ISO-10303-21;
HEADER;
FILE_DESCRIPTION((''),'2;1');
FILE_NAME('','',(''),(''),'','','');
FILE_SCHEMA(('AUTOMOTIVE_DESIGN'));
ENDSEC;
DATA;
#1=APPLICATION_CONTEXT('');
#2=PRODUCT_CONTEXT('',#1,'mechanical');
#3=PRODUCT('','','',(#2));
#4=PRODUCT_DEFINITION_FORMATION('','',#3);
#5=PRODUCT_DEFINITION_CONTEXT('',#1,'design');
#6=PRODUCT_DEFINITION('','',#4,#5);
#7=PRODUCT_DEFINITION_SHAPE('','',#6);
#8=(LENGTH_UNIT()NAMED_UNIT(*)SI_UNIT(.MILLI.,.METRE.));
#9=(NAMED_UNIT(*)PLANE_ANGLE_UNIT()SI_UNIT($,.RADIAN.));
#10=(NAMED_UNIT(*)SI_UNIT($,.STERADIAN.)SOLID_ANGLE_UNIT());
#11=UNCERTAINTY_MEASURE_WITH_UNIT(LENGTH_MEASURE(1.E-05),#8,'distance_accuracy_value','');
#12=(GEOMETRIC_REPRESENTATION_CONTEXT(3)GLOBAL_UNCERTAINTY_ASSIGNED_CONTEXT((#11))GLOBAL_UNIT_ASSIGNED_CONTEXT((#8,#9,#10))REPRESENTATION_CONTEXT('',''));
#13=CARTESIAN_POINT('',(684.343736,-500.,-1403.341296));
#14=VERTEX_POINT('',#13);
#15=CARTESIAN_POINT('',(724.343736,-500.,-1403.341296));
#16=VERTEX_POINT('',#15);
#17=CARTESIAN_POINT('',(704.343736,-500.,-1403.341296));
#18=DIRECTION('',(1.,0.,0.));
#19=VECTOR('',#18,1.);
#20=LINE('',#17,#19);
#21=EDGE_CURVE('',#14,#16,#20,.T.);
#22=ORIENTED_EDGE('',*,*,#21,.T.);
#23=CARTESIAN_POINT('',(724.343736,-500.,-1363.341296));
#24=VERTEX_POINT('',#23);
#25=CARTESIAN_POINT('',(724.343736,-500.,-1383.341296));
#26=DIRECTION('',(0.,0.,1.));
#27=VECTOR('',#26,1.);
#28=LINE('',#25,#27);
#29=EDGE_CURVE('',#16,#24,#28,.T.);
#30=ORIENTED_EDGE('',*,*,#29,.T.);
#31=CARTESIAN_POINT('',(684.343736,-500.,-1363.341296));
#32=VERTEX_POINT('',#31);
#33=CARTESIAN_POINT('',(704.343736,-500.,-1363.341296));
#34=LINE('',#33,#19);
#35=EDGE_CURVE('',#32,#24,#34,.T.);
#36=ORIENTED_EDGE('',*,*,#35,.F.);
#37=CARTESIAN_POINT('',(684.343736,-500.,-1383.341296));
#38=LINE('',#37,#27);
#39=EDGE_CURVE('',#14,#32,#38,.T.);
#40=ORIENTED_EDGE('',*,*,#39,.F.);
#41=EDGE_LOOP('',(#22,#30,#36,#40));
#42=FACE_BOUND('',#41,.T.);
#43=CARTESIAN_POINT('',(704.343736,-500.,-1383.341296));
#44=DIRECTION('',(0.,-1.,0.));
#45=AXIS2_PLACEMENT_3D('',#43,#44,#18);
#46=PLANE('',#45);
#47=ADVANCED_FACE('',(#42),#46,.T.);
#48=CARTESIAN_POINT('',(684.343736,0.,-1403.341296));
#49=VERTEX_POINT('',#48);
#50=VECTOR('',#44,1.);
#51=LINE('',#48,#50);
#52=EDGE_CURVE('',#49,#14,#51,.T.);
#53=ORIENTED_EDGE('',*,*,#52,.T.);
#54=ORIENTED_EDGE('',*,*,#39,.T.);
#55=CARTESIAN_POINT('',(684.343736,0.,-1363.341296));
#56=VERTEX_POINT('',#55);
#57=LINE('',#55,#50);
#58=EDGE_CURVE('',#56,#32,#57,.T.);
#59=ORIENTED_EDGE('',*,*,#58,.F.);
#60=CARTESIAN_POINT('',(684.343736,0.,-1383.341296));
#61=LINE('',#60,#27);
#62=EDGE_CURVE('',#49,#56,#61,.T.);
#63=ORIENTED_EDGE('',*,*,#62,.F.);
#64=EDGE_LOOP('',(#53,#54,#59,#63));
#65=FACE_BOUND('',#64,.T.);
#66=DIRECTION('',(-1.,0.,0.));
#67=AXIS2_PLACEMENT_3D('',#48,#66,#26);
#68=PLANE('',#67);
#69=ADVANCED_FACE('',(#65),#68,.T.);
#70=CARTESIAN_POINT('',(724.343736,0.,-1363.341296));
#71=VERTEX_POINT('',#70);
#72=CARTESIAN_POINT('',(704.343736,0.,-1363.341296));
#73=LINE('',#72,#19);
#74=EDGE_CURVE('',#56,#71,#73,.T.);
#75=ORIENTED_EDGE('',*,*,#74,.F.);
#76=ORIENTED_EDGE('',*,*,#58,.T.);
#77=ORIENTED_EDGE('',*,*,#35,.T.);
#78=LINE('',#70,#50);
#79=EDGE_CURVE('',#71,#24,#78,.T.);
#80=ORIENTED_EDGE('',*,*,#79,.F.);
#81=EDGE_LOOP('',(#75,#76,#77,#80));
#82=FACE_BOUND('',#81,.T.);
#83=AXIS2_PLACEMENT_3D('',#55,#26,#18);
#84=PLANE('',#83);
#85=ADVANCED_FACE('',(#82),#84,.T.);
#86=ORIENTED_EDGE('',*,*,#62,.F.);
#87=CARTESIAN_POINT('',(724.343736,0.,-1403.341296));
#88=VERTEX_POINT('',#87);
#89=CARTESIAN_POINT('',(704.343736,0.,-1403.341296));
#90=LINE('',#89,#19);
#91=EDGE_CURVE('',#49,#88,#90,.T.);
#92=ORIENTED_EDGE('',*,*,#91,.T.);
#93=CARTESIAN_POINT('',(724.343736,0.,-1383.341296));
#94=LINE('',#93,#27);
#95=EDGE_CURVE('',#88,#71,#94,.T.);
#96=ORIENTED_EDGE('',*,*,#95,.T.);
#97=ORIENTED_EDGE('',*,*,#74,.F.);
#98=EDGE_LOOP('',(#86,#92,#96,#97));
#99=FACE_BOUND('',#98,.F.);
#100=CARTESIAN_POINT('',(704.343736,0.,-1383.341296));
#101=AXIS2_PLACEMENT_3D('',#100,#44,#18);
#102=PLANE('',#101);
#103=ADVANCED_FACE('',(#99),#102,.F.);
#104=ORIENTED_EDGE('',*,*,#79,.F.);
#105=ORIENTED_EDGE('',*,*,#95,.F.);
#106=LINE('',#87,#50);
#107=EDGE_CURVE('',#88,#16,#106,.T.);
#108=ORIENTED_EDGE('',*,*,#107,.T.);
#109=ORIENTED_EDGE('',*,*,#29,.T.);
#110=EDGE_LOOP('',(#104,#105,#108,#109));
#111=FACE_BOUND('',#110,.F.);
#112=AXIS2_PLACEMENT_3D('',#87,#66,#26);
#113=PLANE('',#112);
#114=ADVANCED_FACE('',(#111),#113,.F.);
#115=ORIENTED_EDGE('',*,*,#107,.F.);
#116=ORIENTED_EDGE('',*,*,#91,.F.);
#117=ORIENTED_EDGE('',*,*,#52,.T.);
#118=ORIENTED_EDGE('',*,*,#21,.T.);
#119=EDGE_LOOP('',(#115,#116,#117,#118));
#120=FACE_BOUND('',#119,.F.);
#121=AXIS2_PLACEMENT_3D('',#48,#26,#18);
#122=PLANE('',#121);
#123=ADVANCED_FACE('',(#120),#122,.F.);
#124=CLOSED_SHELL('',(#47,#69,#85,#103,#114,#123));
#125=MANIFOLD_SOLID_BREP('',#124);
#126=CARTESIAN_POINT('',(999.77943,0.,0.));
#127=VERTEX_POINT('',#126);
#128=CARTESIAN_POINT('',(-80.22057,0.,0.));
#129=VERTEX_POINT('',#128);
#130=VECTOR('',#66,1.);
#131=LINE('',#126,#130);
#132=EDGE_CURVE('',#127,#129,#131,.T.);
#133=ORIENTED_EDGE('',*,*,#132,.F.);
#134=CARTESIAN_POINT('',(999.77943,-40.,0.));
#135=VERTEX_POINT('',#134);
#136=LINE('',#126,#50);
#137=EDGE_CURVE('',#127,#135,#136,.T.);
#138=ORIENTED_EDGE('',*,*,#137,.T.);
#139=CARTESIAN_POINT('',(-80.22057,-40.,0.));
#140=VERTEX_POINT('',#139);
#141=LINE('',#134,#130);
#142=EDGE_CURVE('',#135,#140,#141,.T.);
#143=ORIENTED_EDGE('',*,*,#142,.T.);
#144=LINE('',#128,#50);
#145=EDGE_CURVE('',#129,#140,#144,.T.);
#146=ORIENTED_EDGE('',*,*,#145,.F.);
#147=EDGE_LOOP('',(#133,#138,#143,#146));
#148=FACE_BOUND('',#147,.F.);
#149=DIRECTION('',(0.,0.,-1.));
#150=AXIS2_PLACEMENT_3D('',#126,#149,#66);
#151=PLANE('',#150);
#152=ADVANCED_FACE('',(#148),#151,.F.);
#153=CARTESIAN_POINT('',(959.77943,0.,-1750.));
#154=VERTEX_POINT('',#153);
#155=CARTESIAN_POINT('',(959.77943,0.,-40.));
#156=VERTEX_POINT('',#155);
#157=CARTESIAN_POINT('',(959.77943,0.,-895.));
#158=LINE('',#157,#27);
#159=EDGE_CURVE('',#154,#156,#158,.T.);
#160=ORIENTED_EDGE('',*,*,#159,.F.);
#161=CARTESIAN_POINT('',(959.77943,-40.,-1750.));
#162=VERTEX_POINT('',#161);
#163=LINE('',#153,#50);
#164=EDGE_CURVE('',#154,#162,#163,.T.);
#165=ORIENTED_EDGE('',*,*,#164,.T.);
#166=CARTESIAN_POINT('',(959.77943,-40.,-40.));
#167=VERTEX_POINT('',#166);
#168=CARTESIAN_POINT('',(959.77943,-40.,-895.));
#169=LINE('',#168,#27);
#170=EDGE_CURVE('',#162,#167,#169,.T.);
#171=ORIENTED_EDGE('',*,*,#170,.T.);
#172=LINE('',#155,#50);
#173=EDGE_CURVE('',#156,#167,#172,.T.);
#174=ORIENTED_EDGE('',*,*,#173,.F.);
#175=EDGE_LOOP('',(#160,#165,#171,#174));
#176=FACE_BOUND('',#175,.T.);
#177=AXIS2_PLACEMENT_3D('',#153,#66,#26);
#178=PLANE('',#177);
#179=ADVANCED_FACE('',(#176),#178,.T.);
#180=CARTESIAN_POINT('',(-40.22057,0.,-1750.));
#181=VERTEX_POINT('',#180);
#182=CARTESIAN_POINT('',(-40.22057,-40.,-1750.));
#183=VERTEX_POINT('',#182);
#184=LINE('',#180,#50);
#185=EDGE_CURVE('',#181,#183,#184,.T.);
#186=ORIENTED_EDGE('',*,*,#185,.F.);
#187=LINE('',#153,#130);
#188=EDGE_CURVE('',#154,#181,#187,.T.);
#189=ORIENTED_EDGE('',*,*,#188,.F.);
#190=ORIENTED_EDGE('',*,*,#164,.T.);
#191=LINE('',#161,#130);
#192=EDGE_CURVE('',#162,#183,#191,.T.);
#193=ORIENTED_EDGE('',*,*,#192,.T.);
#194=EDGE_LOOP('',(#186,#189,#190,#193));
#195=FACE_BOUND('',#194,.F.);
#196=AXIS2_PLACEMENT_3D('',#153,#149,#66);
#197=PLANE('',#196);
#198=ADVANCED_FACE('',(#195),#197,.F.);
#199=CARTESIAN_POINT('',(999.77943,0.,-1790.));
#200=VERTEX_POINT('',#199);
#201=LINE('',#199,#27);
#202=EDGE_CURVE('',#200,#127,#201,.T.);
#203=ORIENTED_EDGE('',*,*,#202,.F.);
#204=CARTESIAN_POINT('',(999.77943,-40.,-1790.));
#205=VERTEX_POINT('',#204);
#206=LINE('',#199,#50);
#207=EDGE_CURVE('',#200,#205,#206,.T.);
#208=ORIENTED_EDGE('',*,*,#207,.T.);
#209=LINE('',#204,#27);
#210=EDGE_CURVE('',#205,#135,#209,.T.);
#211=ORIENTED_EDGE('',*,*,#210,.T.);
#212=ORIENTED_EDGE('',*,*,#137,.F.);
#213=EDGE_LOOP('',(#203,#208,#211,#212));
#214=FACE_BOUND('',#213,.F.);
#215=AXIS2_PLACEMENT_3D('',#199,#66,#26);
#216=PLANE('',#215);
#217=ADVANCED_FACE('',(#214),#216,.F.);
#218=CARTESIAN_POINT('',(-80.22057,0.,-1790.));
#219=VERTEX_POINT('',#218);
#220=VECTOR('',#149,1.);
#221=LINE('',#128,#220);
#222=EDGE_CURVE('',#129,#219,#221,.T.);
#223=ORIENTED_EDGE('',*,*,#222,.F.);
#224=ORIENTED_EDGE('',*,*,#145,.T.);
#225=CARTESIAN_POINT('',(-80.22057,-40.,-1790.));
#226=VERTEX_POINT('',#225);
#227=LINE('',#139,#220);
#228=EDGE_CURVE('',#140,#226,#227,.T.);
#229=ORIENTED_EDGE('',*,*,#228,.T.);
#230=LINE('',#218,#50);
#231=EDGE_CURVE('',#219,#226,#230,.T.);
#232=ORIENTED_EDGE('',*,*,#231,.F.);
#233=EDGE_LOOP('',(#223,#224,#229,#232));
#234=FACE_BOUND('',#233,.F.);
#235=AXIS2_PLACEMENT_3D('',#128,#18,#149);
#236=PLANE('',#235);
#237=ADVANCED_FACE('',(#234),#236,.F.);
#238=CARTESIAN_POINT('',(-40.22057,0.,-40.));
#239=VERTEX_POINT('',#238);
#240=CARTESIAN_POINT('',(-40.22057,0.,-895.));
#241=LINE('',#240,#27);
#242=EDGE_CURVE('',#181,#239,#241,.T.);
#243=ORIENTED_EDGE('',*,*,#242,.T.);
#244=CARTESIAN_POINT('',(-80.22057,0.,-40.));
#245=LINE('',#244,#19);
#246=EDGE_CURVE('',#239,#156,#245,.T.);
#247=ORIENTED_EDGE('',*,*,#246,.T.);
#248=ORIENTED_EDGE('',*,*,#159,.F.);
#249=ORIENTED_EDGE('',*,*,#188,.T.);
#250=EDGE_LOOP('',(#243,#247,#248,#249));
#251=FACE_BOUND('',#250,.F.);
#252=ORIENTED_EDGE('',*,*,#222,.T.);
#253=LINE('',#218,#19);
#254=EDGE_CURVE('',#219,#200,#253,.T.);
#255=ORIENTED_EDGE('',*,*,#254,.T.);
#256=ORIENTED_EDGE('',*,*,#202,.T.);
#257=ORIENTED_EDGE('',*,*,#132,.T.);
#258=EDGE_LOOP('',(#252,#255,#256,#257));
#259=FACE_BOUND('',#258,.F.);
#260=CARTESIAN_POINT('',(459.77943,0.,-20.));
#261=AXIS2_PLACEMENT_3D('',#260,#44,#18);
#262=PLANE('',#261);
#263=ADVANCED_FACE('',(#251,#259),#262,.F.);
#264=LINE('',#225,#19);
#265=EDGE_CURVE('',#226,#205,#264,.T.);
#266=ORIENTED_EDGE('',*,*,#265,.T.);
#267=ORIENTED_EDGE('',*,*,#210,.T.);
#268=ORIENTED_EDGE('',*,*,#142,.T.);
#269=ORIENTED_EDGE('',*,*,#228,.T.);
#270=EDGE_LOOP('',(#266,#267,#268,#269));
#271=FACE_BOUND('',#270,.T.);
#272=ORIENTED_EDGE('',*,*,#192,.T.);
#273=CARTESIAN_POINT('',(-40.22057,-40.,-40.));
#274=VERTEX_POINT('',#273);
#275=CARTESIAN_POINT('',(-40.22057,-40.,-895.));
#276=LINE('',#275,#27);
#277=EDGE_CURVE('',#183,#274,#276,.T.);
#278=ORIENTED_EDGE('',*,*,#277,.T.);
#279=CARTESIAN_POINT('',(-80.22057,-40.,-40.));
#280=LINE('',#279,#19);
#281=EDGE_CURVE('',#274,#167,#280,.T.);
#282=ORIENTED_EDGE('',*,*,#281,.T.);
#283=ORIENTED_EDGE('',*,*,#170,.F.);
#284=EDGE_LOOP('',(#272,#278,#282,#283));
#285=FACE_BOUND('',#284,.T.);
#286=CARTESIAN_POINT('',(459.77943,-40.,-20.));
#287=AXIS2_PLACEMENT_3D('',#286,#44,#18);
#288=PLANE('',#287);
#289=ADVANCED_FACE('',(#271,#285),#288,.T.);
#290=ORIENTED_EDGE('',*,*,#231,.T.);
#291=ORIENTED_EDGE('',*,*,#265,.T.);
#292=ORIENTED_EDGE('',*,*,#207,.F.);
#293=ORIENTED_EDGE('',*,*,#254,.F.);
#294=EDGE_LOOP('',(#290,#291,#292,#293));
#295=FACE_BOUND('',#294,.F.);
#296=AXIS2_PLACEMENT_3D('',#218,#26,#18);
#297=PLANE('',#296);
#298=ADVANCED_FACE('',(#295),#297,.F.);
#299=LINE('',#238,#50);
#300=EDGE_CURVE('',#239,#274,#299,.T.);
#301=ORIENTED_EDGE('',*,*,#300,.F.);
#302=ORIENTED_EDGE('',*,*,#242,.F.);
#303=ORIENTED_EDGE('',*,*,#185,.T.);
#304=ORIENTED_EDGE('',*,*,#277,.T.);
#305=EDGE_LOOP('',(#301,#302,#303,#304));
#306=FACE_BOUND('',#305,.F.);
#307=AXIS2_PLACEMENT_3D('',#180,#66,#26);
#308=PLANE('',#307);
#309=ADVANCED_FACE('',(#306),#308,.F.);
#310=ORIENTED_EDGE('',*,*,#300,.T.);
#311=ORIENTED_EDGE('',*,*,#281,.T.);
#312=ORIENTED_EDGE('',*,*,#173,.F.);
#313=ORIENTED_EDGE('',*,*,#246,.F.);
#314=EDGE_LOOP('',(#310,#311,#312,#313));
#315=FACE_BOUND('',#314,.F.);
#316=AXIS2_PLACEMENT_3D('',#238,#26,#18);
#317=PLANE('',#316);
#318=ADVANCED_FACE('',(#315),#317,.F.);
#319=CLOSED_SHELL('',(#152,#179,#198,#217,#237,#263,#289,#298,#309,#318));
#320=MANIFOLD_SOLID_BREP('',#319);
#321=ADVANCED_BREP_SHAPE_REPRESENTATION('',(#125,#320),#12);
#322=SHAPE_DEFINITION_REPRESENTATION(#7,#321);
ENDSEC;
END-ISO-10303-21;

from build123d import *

# Parameters (mm, degrees)
F0_W     = 40
F0_H     = 1710
F1_DEPTH = 40
F2_W     = 40
F2_H     = 40
F3_DEPTH = 500


with BuildPart() as f1:
    # F0 (on Front) → F1 (new body)
    with BuildSketch(Plane.XZ):
        Polygon((999.77943, 0), (-80.22057, 0), (-80.22057, -40), (-40.22057, -40), (959.77943, -40), (999.77943, -40), align=None)
        with Locations((-60.22057, -895)):
            Rectangle(F0_W, F0_H)
        with Locations((979.77943, -895)):
            Rectangle(F0_W, F0_H)
        Polygon((-40.22057, -1750), (-80.22057, -1750), (-80.22057, -1790), (999.77943, -1790), (999.77943, -1750), (959.77943, -1750), align=None)
    extrude(amount=F1_DEPTH)


with BuildPart() as f3:
    # F2 (on Front) → F3 (new body)
    with BuildSketch(Plane.XZ):
        with Locations((704.343736, -1383.341296)):
            Rectangle(F2_W, F2_H)
    extrude(amount=F3_DEPTH)


solid = Compound([f1.part, f3.part])
